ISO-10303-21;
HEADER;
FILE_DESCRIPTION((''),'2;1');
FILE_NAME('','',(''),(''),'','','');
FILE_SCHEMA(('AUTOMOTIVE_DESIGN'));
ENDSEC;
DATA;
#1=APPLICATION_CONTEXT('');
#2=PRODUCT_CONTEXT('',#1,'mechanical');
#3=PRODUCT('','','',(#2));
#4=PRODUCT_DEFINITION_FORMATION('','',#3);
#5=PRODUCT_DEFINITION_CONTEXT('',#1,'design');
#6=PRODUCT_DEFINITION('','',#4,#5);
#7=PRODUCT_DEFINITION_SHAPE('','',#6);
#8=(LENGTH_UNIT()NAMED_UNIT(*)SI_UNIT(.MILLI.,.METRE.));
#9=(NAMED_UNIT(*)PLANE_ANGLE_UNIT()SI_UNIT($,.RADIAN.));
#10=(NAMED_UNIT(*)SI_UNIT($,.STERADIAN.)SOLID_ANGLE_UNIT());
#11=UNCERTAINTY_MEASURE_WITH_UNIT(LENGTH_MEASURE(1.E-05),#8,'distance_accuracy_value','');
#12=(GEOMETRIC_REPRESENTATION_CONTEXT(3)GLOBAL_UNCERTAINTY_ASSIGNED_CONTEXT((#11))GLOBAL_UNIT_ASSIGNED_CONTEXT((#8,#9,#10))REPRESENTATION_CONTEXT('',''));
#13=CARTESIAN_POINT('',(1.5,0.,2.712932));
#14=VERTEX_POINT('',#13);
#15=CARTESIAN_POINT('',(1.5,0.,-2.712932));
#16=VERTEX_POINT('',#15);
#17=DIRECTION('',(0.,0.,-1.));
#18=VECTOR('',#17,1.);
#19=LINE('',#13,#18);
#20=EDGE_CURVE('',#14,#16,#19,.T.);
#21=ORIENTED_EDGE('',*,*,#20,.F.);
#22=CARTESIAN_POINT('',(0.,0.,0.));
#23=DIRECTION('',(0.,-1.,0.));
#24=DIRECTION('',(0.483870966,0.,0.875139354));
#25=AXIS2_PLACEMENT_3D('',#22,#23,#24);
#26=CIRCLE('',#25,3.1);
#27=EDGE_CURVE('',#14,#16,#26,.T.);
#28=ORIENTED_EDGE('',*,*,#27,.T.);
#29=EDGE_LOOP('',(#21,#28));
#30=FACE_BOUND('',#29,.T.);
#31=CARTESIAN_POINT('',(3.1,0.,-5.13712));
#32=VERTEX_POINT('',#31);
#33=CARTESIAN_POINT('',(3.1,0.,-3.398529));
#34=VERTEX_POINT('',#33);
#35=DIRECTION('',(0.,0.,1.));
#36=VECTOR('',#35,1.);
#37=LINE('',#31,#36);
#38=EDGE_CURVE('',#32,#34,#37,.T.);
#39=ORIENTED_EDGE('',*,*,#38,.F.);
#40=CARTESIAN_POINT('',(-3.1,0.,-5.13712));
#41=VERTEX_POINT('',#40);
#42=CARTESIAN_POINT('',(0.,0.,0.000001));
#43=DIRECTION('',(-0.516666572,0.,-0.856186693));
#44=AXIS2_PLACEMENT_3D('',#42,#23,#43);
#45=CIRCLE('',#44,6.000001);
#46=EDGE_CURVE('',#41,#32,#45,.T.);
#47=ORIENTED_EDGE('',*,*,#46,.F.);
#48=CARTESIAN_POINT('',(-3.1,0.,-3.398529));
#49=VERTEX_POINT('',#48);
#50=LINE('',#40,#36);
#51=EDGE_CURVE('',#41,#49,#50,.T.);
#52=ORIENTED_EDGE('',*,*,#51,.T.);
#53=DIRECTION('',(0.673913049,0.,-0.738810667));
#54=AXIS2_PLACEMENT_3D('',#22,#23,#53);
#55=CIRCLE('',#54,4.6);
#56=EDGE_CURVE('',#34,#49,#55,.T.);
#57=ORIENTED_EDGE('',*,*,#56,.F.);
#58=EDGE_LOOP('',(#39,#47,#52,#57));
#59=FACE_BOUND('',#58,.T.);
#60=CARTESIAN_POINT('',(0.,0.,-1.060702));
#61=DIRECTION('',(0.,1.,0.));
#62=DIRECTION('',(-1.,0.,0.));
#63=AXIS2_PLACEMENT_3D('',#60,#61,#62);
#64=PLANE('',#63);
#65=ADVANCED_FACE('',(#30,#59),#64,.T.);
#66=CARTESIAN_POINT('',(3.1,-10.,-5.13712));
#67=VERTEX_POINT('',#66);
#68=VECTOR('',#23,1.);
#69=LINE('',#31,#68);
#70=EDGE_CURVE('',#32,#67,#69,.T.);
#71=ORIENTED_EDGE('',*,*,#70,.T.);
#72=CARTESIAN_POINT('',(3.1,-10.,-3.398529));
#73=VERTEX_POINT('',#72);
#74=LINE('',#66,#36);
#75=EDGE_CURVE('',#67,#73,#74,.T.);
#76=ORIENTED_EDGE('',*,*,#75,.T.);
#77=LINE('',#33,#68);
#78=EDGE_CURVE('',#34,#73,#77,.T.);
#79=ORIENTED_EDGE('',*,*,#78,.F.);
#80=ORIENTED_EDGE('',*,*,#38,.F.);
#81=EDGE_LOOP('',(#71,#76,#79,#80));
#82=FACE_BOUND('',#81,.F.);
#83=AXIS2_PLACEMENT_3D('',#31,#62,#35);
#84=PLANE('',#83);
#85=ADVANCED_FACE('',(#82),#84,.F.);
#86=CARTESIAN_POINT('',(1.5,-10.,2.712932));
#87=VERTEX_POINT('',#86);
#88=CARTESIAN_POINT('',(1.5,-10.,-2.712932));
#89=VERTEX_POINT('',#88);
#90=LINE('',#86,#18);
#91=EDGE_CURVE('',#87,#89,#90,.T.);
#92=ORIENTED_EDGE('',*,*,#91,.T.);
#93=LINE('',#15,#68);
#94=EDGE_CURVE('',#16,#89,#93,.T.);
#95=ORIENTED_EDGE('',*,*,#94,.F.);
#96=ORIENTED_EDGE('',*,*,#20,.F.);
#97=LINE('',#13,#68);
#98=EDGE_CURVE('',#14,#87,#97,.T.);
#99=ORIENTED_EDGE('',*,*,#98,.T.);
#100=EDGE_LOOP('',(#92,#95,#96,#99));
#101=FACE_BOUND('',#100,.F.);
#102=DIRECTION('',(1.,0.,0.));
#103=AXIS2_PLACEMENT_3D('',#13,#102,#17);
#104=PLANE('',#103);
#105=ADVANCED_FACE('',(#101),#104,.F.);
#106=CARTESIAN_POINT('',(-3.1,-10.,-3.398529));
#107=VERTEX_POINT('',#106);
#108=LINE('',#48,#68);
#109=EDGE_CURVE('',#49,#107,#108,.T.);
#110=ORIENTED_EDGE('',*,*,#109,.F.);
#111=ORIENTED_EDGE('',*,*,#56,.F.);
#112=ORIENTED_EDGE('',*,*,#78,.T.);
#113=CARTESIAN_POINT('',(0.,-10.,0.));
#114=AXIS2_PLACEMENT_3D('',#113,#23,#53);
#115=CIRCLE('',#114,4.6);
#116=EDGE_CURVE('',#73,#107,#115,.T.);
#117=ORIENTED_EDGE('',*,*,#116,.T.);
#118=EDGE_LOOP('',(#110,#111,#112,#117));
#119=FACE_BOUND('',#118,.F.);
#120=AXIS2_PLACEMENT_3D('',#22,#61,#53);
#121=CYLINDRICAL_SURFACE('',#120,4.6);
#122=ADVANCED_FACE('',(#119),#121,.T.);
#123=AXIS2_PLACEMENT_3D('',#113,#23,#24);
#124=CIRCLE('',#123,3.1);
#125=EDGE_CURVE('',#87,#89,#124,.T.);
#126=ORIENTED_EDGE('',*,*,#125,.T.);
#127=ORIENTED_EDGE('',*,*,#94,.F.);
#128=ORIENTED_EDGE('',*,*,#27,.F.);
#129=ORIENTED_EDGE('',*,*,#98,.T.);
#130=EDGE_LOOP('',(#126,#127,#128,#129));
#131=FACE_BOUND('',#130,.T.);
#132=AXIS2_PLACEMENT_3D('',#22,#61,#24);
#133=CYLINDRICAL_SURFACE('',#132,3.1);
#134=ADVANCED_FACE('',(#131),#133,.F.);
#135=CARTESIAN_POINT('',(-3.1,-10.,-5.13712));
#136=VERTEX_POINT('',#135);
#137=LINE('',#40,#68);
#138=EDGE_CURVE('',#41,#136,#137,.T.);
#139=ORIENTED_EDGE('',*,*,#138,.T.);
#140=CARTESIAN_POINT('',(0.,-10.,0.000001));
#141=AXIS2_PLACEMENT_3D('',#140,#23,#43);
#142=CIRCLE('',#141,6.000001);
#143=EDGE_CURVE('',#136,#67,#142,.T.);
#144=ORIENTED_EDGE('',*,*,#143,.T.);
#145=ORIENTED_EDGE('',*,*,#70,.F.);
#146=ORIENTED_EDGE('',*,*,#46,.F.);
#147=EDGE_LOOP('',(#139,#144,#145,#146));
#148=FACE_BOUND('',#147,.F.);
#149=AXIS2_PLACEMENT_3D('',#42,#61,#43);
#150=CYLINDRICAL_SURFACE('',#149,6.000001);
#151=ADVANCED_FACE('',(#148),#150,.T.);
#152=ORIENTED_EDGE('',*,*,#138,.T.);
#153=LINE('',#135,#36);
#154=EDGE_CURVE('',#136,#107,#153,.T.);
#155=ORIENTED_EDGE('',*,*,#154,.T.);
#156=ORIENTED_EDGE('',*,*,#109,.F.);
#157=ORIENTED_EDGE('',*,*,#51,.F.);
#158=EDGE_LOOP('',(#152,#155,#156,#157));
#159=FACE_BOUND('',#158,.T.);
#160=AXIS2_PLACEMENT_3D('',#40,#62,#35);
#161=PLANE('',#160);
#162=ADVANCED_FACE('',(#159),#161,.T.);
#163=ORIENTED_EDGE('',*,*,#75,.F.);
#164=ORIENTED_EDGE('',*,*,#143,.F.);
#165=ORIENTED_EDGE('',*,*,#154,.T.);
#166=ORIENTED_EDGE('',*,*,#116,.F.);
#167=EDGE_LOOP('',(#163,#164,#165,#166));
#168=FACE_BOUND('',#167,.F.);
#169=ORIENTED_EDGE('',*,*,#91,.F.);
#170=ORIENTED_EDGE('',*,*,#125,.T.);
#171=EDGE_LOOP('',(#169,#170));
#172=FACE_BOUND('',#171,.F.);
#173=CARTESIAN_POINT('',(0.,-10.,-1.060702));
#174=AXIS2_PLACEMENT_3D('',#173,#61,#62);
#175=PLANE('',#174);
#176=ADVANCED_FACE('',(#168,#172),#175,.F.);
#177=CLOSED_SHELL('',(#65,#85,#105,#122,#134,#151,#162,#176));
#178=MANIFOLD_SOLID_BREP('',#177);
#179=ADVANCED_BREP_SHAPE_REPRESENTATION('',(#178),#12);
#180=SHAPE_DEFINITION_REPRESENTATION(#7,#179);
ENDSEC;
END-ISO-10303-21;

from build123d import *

# Parameters (mm, degrees)
PAD_DEPTH = 10


with BuildPart() as part:
    # Sketch → Pad (new body)
    with BuildSketch(Plane.XZ):
        with BuildLine():
            Line((-3.1, -5.13712), (-3.1, -3.398529))
            ThreePointArc((3.1, -3.398529), (0, 4.6), (-3.1, -3.398529))
            Line((3.1, -5.13712), (3.1, -3.398529))
            ThreePointArc((-3.1, -5.13712), (0, -6), (3.1, -5.13712))
        make_face()
        with BuildLine():
            Line((1.5, 2.712932), (1.5, -2.712932))
            ThreePointArc((1.5, 2.712932), (-3.1, 0), (1.5, -2.712932))
        make_face(mode=Mode.SUBTRACT)
    extrude(amount=PAD_DEPTH)


solid = part.part
